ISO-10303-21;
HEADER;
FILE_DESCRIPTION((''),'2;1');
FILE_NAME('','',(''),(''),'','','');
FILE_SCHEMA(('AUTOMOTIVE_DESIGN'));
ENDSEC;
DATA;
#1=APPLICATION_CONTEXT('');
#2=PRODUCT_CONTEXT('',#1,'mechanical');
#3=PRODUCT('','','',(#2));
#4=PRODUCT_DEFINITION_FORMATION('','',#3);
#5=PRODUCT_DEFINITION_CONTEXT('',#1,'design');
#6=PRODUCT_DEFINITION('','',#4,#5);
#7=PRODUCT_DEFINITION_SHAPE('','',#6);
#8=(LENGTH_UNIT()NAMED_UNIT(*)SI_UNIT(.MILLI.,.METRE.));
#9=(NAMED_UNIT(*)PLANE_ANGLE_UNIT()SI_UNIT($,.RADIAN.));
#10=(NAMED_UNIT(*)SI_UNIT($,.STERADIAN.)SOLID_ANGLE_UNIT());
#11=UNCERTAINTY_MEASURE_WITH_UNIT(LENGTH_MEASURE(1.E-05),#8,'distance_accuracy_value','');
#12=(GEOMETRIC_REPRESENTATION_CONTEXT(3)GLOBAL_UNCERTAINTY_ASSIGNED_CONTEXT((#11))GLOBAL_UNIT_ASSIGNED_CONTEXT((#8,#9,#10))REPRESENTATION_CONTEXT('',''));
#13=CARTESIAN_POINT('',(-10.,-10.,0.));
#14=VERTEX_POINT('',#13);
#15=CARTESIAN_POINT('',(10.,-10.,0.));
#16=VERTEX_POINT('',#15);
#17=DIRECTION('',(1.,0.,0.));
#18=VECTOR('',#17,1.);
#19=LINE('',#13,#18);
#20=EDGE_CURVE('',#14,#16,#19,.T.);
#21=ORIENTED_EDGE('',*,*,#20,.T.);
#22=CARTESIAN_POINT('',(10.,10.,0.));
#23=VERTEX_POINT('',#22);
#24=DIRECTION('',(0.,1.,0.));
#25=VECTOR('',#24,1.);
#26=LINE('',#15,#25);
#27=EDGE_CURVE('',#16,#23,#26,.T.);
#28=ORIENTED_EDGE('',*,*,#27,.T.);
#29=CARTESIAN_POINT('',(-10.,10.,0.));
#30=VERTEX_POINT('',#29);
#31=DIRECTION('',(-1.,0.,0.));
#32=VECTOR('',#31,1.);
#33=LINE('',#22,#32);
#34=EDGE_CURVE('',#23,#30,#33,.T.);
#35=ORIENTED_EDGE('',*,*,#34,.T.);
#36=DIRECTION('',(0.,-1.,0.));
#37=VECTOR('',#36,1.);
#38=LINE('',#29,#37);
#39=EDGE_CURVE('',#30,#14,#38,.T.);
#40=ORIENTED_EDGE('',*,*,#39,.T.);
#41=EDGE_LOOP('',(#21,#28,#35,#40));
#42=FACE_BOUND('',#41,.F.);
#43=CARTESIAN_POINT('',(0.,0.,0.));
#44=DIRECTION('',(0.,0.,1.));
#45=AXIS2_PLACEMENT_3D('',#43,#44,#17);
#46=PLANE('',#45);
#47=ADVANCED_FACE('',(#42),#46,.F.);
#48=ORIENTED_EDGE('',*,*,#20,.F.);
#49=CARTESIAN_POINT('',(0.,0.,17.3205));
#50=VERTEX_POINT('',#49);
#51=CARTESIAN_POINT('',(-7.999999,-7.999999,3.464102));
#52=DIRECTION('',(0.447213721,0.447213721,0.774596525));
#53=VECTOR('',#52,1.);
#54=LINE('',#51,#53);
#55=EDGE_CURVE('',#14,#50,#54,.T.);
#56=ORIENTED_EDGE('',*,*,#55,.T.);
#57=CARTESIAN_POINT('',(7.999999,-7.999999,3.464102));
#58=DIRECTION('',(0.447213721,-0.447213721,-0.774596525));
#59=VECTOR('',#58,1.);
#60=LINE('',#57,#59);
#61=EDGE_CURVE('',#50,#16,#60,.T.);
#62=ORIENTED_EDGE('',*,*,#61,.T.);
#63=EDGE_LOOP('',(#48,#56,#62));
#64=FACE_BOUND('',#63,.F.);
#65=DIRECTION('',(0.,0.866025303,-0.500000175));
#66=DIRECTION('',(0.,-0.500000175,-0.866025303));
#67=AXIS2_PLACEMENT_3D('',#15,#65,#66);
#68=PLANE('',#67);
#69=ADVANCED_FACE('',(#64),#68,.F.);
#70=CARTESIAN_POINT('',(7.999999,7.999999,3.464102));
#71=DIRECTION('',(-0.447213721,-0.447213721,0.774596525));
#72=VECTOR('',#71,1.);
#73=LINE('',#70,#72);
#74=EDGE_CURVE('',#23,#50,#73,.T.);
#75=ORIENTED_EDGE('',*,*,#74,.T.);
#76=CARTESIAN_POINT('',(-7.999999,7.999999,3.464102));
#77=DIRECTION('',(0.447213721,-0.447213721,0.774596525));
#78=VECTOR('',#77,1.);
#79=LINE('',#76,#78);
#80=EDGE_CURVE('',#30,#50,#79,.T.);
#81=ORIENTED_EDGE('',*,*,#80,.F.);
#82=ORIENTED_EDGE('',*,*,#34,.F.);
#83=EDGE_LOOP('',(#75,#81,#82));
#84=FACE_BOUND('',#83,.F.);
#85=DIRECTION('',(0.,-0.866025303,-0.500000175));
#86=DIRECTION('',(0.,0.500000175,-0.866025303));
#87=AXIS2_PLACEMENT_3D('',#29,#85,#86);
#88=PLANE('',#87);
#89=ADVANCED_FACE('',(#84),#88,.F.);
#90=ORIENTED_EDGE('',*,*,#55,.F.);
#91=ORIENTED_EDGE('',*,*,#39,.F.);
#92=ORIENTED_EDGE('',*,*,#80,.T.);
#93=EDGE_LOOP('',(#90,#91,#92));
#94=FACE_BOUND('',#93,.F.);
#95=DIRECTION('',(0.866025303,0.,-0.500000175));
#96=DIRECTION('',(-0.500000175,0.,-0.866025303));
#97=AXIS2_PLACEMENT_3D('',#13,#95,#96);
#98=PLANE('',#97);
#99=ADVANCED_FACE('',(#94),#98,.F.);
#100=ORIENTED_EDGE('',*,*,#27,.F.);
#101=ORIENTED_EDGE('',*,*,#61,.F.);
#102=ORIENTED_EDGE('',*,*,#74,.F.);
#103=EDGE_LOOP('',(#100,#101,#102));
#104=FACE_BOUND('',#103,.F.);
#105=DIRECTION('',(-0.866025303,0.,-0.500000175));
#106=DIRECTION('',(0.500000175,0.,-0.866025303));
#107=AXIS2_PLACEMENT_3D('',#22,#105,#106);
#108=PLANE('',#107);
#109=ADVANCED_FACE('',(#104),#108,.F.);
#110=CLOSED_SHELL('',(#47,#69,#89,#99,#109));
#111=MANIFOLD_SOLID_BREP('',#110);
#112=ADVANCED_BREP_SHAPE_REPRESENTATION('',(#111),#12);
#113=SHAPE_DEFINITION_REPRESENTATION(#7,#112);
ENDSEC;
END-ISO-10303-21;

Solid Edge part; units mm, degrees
sketch "Sketch1" plane through (0, 0, 0) normal (0, 0, 1) x (1, 0, 0)
  line L0 (-10, -10) -> (10, -10)
  line L1 (10, -10) -> (10, 10)
  line L2 (10, 10) -> (-10, 10)
  line L3 (-10, 10) -> (-10, -10)
extrude "Protrusion1" add sketch "Sketch1" along normal blind 41.1686
sketch "Sketch2" plane through (0, 10, 20.5843) normal (0, 1, 0) x (-1, 0, 0)
  line L0 (-10, -20.5843) -> (0, -3.2638)
extrude "ExtrudedCutout_1" cut sketch "Sketch2" along normal mid plane 135.5607 material side at (5.0433, 10, 8.6853)
pattern_circular "Pattern1" count 4 over 360 about axis through (0, 0, 0) along (0, 0, 1) of "ExtrudedCutout_1"
